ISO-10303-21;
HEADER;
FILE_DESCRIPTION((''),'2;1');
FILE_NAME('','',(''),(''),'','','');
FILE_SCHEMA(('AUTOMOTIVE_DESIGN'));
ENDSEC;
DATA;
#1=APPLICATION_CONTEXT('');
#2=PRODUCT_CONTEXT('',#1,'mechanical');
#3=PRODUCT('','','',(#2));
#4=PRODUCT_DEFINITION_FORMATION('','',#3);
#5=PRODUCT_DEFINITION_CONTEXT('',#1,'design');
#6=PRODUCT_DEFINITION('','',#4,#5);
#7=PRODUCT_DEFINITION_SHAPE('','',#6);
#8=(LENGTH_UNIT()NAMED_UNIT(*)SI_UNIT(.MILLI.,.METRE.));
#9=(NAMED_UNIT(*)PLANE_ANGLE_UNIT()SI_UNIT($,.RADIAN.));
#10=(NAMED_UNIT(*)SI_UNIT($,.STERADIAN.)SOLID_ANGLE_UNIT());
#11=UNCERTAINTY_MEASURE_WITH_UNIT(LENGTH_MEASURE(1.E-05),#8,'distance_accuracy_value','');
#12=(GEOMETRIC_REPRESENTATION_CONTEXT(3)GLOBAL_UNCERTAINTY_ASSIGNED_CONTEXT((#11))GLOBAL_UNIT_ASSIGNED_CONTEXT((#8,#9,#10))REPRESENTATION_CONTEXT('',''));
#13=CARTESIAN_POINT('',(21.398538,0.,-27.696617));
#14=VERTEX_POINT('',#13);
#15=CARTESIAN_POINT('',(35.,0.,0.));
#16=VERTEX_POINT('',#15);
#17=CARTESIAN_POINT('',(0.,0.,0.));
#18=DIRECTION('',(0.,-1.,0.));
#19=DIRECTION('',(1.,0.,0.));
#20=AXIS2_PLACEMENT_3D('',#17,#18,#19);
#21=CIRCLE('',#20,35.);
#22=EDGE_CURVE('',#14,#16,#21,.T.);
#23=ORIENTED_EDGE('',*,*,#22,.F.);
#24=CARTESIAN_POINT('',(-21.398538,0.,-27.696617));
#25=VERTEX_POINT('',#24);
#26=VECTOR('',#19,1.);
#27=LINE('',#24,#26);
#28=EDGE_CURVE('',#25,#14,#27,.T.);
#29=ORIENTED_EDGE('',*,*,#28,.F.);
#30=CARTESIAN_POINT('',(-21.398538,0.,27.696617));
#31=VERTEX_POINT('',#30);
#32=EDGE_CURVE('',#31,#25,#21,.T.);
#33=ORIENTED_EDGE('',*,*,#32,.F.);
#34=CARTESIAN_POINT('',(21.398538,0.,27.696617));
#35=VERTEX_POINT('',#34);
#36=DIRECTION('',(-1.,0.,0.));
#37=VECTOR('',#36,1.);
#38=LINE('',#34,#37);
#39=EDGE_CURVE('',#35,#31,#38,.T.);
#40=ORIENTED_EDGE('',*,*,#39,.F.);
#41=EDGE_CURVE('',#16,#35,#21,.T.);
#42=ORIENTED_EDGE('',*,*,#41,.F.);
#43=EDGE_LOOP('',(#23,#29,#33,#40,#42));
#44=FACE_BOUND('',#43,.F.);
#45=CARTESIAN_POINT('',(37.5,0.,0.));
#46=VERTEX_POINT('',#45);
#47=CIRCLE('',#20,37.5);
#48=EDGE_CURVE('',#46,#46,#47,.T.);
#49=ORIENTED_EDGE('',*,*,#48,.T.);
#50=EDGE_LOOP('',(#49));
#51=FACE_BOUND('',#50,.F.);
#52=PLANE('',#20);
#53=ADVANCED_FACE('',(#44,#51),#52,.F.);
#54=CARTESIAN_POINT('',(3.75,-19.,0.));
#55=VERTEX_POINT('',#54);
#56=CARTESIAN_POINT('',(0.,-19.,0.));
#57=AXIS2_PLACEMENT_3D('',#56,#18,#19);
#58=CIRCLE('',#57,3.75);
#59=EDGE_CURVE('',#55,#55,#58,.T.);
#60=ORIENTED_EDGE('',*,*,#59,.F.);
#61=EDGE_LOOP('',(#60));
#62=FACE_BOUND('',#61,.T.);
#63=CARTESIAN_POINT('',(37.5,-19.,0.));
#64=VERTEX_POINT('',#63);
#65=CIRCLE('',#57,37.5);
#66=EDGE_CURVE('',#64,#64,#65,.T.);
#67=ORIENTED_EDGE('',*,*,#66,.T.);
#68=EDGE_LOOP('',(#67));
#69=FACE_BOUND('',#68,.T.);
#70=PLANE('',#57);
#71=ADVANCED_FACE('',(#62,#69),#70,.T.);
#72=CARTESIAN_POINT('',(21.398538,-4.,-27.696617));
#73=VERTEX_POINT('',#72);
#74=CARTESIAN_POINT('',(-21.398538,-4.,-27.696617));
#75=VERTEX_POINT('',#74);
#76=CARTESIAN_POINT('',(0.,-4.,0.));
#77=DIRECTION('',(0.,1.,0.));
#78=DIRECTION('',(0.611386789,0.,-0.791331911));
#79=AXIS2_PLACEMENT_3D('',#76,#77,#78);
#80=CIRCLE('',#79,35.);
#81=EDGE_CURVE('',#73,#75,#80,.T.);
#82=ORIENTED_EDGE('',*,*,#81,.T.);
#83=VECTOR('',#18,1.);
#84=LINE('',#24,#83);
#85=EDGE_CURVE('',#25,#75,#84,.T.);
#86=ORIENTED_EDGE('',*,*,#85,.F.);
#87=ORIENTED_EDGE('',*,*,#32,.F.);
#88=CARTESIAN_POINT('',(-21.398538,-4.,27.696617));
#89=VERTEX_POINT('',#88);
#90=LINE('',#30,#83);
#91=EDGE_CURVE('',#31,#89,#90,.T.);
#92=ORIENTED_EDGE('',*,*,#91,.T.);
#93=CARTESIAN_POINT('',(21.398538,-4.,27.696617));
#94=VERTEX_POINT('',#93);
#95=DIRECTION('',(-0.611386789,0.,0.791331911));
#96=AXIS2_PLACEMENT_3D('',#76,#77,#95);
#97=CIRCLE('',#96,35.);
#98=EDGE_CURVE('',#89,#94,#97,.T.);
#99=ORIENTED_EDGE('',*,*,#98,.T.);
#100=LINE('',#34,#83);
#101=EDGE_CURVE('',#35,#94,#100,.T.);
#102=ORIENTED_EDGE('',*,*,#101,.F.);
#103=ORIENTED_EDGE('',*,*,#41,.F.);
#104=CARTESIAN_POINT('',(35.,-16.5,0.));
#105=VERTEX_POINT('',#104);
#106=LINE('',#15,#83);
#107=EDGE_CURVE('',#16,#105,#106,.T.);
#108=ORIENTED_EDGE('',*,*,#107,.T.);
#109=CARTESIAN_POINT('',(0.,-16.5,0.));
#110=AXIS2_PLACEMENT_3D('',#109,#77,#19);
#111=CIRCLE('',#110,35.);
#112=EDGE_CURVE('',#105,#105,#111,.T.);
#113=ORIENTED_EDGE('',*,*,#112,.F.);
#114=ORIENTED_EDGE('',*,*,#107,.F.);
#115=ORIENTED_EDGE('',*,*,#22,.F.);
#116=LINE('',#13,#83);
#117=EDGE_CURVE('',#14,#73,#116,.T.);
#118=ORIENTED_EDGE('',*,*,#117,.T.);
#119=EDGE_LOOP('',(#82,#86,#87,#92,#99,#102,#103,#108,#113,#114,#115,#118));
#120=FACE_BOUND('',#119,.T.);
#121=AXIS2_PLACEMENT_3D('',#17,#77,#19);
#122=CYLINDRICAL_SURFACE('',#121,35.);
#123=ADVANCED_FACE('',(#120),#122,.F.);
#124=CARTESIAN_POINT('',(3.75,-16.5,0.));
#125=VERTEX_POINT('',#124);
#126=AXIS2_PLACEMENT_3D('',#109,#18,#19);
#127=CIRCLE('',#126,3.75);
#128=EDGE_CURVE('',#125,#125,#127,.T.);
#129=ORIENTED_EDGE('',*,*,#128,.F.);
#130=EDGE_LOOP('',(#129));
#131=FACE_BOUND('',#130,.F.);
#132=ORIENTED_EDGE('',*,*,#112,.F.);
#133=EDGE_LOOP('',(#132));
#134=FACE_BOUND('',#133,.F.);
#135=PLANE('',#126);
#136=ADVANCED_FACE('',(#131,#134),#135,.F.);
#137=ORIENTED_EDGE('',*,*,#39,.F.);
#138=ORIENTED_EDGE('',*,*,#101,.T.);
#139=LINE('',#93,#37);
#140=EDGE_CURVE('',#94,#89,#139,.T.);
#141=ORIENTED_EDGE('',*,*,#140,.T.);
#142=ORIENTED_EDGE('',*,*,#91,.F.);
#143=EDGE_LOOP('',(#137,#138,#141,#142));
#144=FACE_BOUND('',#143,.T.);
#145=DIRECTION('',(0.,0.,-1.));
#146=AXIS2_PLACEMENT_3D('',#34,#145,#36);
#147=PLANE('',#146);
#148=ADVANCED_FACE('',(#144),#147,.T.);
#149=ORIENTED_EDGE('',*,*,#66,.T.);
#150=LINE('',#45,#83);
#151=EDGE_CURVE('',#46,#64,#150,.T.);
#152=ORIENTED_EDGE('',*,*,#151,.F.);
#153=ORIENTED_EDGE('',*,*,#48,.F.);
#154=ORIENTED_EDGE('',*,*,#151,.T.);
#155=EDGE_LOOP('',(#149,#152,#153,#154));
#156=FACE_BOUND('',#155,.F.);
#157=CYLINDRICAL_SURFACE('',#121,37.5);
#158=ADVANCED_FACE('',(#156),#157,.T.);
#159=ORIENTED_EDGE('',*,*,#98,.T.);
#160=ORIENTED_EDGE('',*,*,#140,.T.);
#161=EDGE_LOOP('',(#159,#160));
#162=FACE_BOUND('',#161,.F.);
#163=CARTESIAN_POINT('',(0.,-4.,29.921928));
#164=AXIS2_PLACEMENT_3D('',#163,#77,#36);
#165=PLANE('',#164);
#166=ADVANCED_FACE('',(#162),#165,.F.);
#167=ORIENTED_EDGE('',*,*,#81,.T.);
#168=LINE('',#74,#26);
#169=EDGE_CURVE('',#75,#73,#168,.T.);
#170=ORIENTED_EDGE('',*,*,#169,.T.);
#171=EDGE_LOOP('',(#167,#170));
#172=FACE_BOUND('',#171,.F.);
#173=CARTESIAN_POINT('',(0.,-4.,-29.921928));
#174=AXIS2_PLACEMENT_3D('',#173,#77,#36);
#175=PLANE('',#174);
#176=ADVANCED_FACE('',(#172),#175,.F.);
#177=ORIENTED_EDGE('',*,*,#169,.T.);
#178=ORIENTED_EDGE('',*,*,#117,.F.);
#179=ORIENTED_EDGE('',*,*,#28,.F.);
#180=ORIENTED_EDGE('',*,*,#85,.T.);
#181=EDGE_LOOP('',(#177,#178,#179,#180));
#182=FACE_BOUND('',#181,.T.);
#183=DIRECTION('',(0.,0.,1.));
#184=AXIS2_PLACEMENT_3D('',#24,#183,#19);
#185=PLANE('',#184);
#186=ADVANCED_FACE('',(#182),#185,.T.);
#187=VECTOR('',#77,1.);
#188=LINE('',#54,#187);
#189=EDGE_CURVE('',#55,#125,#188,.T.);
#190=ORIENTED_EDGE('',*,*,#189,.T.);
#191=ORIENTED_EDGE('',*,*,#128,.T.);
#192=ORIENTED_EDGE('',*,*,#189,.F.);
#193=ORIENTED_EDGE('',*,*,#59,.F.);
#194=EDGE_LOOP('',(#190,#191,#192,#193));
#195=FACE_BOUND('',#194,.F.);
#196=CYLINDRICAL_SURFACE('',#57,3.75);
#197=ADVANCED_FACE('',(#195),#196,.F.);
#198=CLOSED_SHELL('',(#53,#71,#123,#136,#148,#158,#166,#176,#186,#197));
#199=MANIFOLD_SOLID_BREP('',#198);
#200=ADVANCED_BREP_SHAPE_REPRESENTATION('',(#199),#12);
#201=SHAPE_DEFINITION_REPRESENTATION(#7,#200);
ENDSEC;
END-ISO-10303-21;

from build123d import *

# Parameters (mm, degrees)
F0_R     = 37.5
F1_DEPTH = 19
F2_T     = -2.5
F3_R     = 3.75
F4_DEPTH = 19.001
F6_DEPTH = 4
F8_DEPTH = 4


with BuildPart() as f1:
    # F0 (on Front) → F1 (new body)
    with BuildSketch(Plane.XZ):
        Circle(F0_R)
    extrude(amount=F1_DEPTH)

    # F2
    f2_openings = [f1.faces().sort_by_distance(p)[0] for p in [
        (0, 0, 0),
    ]]
    offset(amount=F2_T, openings=f2_openings)

    # F3 (on face) → F4 (cut, through all)
    with BuildSketch(Plane.XZ.offset(19)):
        Circle(F3_R)
    extrude(amount=-F4_DEPTH, mode=Mode.SUBTRACT)

    # F5 (on face) → F6 (join)
    with BuildSketch(Plane(origin=(0, 0, 0), x_dir=(-1, 0, 0), z_dir=(0, 1, 0))):
        with BuildLine():
            ThreePointArc((21.3985376308, 27.696616892), (0, 35), (-21.3985376308, 27.696616892))
            Line((-21.3985376308, 27.696616892), (21.3985376308, 27.696616892))
        make_face()
    extrude(amount=-F6_DEPTH)

    # F7 (on face) → F8 (join)
    with BuildSketch(Plane(origin=(0, 0, 0), x_dir=(-1, 0, 0), z_dir=(0, 1, 0))):
        with BuildLine():
            Line((21.3985376308, -27.696616892), (-21.3985376308, -27.696616892))
            ThreePointArc((-21.3985376308, -27.696616892), (0, -35), (21.3985376308, -27.696616892))
        make_face()
    extrude(amount=-F8_DEPTH)


solid = f1.part
